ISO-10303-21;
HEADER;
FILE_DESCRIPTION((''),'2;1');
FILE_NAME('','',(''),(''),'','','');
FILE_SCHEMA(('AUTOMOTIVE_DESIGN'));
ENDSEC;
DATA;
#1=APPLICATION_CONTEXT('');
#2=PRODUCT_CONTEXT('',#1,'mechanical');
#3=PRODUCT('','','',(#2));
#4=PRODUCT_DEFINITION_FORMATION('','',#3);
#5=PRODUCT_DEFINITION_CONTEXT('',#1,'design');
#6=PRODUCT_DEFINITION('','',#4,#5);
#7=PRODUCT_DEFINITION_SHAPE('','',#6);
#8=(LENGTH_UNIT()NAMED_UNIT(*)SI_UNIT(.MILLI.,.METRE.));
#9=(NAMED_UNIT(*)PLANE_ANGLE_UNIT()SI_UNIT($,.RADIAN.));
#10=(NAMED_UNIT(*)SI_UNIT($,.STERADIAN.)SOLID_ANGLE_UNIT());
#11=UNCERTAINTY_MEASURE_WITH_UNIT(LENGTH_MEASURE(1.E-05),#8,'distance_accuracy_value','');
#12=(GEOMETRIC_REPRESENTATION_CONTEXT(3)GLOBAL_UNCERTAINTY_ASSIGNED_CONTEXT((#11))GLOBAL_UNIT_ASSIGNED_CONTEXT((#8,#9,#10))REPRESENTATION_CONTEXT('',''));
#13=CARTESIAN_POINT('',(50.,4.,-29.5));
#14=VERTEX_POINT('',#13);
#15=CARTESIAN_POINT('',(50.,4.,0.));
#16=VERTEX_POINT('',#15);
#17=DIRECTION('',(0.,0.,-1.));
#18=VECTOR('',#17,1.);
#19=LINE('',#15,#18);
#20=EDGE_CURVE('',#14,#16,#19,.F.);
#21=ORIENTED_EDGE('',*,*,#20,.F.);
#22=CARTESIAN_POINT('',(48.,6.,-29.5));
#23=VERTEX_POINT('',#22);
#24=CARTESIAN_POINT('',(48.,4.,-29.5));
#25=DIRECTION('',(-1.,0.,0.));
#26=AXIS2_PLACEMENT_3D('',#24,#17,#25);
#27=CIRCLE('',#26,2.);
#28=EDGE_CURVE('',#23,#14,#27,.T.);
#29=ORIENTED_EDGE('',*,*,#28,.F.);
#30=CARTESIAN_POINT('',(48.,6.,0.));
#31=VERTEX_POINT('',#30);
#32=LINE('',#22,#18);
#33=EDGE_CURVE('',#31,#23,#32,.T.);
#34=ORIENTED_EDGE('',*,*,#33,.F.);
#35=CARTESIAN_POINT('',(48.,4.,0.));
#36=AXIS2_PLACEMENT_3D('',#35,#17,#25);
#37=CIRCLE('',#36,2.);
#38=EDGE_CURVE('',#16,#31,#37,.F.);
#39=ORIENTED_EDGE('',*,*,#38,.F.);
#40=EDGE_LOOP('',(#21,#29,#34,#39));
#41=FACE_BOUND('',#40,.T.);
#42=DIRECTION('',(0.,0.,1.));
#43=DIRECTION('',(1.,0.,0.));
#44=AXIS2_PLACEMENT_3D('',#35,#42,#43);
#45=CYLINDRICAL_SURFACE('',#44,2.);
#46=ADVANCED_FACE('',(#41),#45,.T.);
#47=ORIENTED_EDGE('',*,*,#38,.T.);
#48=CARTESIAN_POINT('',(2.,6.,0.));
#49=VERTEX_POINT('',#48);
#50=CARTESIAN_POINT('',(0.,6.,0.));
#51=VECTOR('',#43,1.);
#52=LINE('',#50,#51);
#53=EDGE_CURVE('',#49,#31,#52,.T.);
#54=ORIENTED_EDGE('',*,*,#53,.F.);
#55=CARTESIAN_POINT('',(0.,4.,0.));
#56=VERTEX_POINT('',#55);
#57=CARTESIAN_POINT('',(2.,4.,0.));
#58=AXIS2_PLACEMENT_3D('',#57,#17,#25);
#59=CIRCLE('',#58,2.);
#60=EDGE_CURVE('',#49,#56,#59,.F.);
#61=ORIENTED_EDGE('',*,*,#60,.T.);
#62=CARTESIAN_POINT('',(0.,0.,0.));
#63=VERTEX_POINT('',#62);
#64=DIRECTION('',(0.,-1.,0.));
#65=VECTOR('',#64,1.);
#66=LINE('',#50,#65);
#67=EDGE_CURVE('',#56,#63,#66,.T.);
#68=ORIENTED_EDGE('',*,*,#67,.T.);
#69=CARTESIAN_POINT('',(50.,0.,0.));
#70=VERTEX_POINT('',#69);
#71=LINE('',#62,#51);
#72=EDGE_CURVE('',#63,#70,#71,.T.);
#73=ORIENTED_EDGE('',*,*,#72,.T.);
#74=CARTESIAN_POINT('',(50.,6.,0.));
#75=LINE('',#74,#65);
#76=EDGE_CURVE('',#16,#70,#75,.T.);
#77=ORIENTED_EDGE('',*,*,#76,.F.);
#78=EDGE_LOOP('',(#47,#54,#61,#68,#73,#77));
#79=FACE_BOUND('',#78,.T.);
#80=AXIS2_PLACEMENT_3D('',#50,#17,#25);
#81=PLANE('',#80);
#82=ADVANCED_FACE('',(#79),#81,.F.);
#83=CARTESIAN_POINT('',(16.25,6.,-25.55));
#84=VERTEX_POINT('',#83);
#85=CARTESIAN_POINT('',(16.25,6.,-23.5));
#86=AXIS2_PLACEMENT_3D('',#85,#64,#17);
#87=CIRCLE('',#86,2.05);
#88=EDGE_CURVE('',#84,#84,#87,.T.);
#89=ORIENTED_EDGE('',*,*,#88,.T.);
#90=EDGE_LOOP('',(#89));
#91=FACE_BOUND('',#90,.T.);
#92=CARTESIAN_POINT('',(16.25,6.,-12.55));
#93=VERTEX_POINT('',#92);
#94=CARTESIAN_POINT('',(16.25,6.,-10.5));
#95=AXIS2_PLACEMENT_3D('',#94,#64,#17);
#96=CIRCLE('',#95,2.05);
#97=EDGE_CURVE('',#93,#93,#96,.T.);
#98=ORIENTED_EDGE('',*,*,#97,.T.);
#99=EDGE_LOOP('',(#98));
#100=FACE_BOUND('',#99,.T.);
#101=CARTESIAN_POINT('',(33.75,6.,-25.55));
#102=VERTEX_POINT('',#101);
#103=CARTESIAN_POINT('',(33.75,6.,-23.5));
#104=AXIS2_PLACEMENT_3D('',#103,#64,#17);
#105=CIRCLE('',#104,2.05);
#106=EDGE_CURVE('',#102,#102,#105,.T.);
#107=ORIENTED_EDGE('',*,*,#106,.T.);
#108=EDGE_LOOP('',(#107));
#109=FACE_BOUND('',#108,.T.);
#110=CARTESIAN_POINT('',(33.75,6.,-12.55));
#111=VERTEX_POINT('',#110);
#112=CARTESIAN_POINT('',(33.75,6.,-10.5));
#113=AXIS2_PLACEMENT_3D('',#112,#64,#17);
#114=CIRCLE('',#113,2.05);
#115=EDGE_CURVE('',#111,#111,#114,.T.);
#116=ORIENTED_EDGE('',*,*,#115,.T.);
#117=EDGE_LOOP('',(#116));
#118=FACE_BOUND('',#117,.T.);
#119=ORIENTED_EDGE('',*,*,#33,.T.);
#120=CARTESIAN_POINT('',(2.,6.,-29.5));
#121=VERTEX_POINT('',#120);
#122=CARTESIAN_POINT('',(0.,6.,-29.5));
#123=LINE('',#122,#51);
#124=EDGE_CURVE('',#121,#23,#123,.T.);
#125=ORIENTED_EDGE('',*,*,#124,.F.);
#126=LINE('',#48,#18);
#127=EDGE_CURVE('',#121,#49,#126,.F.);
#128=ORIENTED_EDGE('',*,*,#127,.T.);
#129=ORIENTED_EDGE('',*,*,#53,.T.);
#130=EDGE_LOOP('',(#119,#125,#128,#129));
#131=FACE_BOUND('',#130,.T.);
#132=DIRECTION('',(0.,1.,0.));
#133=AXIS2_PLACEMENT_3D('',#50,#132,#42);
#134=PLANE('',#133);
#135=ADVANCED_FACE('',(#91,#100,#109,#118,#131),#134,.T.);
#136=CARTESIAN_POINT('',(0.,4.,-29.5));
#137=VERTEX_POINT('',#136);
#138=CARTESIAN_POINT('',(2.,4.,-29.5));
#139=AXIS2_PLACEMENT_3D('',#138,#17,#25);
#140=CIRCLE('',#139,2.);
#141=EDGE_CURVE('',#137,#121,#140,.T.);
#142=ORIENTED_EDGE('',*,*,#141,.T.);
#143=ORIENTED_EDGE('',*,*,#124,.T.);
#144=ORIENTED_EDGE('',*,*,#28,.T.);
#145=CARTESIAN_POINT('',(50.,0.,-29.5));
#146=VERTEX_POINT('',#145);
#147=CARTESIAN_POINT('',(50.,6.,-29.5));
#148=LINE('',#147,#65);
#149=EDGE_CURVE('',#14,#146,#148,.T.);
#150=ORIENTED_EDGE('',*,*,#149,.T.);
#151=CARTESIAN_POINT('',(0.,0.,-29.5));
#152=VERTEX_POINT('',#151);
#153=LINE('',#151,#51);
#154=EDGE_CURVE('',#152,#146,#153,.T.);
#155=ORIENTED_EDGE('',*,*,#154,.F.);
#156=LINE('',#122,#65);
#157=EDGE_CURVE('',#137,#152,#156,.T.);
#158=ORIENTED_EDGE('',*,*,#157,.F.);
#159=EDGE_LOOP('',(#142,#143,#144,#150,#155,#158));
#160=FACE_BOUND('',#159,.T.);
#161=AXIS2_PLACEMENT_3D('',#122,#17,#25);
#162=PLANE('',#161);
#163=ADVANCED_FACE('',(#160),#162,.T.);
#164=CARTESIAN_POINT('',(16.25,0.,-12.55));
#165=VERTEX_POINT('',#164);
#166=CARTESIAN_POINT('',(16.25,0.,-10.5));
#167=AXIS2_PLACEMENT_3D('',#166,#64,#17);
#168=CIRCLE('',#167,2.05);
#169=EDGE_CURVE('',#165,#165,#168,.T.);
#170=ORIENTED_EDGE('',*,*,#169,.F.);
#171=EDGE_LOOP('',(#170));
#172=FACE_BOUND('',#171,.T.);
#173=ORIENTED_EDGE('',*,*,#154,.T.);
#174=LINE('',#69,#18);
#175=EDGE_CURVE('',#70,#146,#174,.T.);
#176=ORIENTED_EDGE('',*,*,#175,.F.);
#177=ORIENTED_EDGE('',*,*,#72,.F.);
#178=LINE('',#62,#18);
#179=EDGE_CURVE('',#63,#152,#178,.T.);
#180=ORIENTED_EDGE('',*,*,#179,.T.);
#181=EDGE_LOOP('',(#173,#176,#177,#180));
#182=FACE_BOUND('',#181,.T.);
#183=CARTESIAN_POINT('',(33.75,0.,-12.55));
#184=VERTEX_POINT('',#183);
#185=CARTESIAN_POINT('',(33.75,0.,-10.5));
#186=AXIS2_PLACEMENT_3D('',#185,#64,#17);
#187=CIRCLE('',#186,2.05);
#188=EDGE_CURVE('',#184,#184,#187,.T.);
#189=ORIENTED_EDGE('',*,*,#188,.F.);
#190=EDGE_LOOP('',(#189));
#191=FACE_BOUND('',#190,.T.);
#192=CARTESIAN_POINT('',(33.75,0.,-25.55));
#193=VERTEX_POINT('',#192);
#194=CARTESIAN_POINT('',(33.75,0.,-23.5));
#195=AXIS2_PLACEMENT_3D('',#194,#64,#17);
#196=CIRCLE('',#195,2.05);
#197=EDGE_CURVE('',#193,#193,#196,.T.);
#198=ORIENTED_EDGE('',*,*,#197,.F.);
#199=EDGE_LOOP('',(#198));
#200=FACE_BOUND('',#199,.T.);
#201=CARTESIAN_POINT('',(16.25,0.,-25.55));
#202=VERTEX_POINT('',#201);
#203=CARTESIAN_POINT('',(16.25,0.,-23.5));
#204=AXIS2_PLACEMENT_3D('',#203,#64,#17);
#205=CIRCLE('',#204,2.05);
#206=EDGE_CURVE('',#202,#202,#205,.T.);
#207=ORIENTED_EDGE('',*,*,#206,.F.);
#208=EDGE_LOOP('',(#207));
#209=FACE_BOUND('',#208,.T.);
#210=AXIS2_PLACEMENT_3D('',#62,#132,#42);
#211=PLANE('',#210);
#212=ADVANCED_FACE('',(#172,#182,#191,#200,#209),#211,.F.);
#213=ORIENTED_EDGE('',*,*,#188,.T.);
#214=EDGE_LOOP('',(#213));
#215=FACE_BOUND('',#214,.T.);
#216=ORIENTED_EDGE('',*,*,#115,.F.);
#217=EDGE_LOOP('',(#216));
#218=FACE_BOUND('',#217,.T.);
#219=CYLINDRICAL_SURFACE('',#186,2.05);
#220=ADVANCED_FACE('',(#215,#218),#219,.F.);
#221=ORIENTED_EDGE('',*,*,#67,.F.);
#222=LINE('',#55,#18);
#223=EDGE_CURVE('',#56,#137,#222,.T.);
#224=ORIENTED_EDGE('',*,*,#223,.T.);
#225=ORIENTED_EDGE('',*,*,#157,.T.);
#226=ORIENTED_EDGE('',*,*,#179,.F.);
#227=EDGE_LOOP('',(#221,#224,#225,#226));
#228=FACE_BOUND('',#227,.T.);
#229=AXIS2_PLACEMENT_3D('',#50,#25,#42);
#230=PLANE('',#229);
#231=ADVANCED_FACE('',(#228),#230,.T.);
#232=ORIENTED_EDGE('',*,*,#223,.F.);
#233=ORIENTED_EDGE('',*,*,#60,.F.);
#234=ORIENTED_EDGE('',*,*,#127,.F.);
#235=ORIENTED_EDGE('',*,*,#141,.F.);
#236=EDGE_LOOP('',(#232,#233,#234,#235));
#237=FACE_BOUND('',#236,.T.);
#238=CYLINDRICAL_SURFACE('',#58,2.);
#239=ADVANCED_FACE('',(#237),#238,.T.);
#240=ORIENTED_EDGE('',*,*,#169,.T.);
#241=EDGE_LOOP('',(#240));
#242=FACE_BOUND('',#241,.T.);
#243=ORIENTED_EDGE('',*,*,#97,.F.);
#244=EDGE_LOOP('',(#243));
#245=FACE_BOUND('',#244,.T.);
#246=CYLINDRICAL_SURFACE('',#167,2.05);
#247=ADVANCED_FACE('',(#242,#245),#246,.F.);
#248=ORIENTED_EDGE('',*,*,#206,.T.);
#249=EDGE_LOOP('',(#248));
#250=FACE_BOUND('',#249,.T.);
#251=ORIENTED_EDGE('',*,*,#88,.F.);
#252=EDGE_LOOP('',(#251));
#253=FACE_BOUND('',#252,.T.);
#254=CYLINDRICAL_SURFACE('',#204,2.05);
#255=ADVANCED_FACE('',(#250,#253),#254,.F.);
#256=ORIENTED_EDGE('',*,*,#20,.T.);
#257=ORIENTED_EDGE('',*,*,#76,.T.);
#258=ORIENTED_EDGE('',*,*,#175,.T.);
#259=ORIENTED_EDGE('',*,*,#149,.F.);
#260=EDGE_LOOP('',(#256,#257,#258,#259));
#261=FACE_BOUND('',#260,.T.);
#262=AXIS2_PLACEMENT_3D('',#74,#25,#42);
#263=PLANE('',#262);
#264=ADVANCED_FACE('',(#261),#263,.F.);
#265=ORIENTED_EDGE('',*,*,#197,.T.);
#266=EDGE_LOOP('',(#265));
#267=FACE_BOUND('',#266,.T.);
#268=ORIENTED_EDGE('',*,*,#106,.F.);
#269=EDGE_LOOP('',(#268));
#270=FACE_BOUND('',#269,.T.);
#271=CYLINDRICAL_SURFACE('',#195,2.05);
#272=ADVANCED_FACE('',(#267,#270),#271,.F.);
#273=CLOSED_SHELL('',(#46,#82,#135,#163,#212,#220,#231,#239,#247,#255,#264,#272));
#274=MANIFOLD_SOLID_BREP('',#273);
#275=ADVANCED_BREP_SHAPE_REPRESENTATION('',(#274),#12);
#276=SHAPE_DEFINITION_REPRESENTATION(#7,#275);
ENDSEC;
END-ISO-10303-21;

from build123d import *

# Parameters (mm, degrees)
SKETCH1_W             = 17.5
SKETCH1_H             = 6
SKETCH1_H_2           = 13
SKETCH1_W_2           = 16.25
SKETCH1_H_3           = 10.5
BOSS_EXTRUDE1_DEPTH   = 6
FILLET1_R             = 2
FILLET2_R             = 2
F_4_0MM_DOWEL_HOLE2_D = 4.1


with BuildPart() as part:
    # Sketch1 → Boss-Extrude1 (new body)
    with BuildSketch(Plane(origin=(0, 0, 0), x_dir=(1, 0, 0), z_dir=(0, 1, 0))):
        Polygon((0, 0), (16.25, 0), (16.25, 10.5), (16.25, 23.5), (16.25, 29.5), (0, 29.5), align=None)
        with Locations((25, 26.5)):
            Rectangle(SKETCH1_W, SKETCH1_H)
        with Locations((25, 17)):
            Rectangle(SKETCH1_W, SKETCH1_H_2)
        with Locations((41.875, 17)):
            Rectangle(SKETCH1_W_2, SKETCH1_H_2)
        with Locations((25, 5.25)):
            Rectangle(SKETCH1_W, SKETCH1_H_3)
        with Locations((41.875, 5.25)):
            Rectangle(SKETCH1_W_2, SKETCH1_H_3)
        with Locations((41.875, 26.5)):
            Rectangle(SKETCH1_W_2, SKETCH1_H)
    extrude(amount=BOSS_EXTRUDE1_DEPTH)

    # Fillet1
    fillet1_edges = [part.edges().sort_by_distance(p)[0] for p in [
        (0, 6, -14.75),
    ]]
    fillet(fillet1_edges, radius=FILLET1_R)

    # Fillet2
    fillet2_edges = [part.edges().sort_by_distance(p)[0] for p in [
        (50, 6, -14.75),
    ]]
    fillet(fillet2_edges, radius=FILLET2_R)

    # Ø4.0mm Dowel Hole2 (through all)
    with Locations(Plane(origin=(16.25, 0, -23.5), x_dir=(0, 0, -1), z_dir=(0, -1, 0))):
        with Locations((0, 0), (0, 17.5), (-13, 17.5), (-13, 0)):
            Hole(F_4_0MM_DOWEL_HOLE2_D / 2)


solid = part.part
